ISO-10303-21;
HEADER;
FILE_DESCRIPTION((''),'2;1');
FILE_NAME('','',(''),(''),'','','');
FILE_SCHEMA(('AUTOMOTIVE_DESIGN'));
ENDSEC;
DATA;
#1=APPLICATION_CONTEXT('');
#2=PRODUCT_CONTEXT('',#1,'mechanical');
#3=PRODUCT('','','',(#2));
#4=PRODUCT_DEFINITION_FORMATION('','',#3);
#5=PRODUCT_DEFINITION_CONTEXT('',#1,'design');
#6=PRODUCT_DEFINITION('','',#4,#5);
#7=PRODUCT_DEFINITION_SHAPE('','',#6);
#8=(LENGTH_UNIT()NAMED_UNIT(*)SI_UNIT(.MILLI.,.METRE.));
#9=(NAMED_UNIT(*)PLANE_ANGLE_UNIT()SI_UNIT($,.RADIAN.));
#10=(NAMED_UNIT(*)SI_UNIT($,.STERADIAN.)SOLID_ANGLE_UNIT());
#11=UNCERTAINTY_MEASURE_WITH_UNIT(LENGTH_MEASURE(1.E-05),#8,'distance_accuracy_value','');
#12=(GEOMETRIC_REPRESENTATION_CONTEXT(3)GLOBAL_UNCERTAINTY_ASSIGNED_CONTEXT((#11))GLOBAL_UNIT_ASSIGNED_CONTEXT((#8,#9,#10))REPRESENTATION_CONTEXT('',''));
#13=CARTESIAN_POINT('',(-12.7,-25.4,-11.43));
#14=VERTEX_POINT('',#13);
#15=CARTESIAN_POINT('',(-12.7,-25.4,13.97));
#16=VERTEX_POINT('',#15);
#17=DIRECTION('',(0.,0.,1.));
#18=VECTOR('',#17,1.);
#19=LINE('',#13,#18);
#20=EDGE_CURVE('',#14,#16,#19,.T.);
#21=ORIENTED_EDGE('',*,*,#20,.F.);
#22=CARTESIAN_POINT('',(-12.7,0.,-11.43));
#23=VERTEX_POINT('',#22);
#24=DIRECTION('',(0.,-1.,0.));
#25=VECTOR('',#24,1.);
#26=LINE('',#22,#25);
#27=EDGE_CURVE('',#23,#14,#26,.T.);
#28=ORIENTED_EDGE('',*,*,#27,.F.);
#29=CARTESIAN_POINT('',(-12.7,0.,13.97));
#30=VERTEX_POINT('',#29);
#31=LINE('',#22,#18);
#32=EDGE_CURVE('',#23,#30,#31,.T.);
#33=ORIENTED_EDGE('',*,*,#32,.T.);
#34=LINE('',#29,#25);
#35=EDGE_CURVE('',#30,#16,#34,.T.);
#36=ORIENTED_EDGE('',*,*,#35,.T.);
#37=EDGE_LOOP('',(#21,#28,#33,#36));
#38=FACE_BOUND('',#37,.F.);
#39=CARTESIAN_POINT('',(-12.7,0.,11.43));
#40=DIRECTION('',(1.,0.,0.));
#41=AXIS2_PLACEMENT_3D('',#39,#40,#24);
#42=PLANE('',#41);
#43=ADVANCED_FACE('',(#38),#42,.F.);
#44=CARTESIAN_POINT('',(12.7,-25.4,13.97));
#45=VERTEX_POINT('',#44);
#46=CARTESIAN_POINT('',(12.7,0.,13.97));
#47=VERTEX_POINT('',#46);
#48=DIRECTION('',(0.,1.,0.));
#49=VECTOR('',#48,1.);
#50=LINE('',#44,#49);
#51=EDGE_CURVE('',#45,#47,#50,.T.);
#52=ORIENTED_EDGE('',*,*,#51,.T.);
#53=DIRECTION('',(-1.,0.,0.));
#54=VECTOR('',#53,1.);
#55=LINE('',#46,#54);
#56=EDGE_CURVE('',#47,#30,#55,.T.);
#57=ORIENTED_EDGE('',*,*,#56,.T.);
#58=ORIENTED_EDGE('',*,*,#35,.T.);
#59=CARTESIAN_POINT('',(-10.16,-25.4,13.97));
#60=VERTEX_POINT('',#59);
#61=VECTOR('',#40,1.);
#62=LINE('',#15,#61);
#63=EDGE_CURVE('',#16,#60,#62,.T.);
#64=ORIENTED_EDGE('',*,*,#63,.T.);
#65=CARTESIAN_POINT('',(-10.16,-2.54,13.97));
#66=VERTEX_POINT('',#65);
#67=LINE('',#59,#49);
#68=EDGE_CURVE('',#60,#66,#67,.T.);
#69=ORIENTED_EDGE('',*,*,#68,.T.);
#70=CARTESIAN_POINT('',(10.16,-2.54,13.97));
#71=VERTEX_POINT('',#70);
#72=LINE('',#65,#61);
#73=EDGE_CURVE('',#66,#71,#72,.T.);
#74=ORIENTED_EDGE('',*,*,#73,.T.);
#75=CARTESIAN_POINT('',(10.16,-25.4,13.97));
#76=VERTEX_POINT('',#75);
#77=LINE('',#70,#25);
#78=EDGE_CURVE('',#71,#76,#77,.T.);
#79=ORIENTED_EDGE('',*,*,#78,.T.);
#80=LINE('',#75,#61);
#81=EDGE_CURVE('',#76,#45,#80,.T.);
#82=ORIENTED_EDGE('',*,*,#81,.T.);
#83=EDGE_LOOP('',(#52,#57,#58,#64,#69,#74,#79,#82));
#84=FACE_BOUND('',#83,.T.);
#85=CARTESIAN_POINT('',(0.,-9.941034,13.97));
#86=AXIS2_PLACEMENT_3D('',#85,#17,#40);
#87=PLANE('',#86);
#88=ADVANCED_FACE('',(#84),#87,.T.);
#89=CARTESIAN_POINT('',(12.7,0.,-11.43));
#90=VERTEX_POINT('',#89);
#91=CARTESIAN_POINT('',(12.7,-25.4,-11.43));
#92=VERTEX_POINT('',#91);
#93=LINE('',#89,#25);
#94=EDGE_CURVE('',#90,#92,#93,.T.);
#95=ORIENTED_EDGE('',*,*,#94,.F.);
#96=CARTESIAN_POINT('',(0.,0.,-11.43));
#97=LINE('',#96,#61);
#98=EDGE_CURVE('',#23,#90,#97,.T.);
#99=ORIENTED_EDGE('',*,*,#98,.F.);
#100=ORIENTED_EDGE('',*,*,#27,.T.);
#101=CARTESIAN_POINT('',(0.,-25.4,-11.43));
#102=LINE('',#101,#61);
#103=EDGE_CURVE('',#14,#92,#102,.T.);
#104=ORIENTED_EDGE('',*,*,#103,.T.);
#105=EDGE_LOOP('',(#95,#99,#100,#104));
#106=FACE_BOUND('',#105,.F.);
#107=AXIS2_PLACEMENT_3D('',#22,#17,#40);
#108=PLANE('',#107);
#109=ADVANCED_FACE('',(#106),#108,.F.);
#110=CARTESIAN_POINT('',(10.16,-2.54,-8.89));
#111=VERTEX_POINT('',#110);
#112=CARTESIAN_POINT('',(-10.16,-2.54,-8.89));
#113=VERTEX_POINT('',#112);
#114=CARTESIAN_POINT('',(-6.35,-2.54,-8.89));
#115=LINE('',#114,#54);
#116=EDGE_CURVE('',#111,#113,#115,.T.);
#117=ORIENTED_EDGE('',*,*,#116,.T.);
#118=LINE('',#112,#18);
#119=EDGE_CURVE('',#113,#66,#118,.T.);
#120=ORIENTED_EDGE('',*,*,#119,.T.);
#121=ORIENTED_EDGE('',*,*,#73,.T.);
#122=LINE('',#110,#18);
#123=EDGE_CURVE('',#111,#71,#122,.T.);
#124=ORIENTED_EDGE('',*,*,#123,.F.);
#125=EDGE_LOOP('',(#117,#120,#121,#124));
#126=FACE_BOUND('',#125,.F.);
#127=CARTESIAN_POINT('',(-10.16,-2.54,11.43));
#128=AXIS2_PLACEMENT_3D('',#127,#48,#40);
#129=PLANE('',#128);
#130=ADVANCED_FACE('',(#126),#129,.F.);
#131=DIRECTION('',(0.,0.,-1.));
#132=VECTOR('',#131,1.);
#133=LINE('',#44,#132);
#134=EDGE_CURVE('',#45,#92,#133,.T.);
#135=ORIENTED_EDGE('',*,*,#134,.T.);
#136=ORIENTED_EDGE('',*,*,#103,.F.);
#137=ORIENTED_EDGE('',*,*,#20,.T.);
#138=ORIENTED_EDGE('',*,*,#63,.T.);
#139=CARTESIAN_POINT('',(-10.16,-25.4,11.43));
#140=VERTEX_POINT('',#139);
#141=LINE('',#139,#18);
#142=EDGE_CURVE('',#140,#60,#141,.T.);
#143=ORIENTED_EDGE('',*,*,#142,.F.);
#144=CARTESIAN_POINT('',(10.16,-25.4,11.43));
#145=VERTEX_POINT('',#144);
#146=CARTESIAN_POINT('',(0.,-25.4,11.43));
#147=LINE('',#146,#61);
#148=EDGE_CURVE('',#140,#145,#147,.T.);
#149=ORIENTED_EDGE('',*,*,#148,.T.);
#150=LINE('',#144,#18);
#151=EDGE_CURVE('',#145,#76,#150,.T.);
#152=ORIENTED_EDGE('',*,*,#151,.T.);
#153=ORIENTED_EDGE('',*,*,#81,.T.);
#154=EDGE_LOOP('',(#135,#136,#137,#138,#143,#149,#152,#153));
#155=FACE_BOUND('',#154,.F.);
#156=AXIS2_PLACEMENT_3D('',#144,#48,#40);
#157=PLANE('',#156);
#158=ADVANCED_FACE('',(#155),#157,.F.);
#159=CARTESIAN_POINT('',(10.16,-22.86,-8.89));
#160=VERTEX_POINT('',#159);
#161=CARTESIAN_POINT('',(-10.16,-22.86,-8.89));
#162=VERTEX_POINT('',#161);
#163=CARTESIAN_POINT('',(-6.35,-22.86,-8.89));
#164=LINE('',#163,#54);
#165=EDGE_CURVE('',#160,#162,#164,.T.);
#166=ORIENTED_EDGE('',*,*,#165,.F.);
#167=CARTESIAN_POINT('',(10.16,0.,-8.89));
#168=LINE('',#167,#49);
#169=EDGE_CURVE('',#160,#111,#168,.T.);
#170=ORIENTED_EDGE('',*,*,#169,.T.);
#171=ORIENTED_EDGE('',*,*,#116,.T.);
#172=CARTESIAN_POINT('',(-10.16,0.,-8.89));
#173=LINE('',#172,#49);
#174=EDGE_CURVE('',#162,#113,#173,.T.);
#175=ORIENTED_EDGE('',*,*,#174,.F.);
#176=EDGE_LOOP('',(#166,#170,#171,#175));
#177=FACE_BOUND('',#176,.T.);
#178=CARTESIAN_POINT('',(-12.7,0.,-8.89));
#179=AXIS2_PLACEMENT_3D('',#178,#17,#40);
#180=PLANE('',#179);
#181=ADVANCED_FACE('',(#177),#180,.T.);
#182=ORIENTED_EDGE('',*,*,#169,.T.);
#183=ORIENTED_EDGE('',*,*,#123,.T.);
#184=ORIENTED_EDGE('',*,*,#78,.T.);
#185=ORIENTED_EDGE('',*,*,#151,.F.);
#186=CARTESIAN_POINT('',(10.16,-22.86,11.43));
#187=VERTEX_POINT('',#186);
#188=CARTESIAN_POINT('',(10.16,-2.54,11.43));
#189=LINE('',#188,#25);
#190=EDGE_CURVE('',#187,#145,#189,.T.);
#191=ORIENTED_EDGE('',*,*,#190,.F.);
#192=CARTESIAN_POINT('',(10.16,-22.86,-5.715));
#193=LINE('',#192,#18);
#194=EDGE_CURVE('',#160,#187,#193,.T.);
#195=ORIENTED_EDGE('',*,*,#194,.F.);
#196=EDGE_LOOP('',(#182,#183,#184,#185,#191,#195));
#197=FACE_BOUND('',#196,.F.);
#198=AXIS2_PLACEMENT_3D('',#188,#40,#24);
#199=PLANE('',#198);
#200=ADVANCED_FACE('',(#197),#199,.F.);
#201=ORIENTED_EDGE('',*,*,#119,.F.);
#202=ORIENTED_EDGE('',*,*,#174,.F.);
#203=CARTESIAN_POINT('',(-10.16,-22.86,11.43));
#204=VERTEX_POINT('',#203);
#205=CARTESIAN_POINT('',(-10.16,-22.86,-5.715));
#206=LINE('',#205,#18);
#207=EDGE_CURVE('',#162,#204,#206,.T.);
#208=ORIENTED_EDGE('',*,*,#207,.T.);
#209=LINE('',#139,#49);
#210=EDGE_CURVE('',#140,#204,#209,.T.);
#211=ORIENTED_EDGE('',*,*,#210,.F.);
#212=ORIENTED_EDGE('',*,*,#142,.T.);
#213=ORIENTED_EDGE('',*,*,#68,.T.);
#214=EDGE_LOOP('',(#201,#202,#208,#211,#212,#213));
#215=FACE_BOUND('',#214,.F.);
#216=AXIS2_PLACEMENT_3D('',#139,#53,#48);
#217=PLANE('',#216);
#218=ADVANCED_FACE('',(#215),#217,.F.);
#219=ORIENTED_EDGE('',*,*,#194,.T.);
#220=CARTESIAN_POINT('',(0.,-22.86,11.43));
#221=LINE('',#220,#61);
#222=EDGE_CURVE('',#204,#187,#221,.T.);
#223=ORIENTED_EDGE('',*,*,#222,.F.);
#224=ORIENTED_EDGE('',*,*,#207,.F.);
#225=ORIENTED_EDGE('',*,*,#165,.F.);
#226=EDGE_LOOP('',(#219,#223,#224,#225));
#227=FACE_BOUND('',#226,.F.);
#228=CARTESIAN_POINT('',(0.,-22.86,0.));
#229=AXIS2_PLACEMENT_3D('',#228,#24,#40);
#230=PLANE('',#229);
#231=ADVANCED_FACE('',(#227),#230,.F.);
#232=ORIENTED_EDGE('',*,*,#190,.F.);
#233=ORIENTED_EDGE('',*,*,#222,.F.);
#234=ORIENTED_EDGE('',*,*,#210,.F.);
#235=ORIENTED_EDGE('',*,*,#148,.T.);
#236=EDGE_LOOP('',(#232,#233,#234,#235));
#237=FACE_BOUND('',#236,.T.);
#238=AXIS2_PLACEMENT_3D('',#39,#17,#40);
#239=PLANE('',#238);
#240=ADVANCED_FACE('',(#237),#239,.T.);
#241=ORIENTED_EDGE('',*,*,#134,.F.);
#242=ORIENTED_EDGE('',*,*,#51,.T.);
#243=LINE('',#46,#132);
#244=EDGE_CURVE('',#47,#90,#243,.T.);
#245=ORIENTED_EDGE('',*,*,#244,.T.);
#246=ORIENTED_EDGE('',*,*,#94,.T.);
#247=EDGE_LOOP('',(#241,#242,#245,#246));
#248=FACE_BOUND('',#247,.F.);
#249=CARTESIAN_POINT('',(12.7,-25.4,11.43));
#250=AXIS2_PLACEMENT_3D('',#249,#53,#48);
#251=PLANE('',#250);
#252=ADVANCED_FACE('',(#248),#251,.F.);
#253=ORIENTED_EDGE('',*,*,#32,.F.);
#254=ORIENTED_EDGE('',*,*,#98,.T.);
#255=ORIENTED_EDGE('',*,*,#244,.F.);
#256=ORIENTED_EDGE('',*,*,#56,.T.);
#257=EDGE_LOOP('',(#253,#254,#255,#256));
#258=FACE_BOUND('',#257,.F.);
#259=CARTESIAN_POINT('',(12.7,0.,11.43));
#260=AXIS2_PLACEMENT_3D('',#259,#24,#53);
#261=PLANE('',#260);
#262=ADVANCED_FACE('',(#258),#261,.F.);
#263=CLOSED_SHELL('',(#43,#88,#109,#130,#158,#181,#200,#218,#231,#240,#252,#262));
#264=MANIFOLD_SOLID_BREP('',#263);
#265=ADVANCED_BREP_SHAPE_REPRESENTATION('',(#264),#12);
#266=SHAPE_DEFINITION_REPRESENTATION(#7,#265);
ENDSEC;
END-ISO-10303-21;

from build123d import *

# Parameters (mm, degrees)
F0_W     = 25.4
F0_H     = 22.86
F1_DEPTH = 25.4
F2_T     = -2.54
F4_DEPTH = 2.54


with BuildPart() as f1:
    # F0 (on Front) → F1 (new body)
    with BuildSketch(Plane.XZ):
        Rectangle(F0_W, F0_H)
    extrude(amount=F1_DEPTH)

    # F2
    f2_openings = [f1.faces().sort_by_distance(p)[0] for p in [
        (0, -12.7, 11.43),
    ]]
    offset(amount=F2_T, openings=f2_openings)

    # F3 (on face) → F4 (join)
    with BuildSketch(Plane.XY.offset(11.43)):
        Polygon((12.7, 0), (-12.7, 0), (-12.7, -25.4), (-10.16, -25.4), (-10.16, -2.54), (10.16, -2.54), (10.16, -25.4), (12.7, -25.4), align=None)
    extrude(amount=F4_DEPTH)


solid = f1.part
